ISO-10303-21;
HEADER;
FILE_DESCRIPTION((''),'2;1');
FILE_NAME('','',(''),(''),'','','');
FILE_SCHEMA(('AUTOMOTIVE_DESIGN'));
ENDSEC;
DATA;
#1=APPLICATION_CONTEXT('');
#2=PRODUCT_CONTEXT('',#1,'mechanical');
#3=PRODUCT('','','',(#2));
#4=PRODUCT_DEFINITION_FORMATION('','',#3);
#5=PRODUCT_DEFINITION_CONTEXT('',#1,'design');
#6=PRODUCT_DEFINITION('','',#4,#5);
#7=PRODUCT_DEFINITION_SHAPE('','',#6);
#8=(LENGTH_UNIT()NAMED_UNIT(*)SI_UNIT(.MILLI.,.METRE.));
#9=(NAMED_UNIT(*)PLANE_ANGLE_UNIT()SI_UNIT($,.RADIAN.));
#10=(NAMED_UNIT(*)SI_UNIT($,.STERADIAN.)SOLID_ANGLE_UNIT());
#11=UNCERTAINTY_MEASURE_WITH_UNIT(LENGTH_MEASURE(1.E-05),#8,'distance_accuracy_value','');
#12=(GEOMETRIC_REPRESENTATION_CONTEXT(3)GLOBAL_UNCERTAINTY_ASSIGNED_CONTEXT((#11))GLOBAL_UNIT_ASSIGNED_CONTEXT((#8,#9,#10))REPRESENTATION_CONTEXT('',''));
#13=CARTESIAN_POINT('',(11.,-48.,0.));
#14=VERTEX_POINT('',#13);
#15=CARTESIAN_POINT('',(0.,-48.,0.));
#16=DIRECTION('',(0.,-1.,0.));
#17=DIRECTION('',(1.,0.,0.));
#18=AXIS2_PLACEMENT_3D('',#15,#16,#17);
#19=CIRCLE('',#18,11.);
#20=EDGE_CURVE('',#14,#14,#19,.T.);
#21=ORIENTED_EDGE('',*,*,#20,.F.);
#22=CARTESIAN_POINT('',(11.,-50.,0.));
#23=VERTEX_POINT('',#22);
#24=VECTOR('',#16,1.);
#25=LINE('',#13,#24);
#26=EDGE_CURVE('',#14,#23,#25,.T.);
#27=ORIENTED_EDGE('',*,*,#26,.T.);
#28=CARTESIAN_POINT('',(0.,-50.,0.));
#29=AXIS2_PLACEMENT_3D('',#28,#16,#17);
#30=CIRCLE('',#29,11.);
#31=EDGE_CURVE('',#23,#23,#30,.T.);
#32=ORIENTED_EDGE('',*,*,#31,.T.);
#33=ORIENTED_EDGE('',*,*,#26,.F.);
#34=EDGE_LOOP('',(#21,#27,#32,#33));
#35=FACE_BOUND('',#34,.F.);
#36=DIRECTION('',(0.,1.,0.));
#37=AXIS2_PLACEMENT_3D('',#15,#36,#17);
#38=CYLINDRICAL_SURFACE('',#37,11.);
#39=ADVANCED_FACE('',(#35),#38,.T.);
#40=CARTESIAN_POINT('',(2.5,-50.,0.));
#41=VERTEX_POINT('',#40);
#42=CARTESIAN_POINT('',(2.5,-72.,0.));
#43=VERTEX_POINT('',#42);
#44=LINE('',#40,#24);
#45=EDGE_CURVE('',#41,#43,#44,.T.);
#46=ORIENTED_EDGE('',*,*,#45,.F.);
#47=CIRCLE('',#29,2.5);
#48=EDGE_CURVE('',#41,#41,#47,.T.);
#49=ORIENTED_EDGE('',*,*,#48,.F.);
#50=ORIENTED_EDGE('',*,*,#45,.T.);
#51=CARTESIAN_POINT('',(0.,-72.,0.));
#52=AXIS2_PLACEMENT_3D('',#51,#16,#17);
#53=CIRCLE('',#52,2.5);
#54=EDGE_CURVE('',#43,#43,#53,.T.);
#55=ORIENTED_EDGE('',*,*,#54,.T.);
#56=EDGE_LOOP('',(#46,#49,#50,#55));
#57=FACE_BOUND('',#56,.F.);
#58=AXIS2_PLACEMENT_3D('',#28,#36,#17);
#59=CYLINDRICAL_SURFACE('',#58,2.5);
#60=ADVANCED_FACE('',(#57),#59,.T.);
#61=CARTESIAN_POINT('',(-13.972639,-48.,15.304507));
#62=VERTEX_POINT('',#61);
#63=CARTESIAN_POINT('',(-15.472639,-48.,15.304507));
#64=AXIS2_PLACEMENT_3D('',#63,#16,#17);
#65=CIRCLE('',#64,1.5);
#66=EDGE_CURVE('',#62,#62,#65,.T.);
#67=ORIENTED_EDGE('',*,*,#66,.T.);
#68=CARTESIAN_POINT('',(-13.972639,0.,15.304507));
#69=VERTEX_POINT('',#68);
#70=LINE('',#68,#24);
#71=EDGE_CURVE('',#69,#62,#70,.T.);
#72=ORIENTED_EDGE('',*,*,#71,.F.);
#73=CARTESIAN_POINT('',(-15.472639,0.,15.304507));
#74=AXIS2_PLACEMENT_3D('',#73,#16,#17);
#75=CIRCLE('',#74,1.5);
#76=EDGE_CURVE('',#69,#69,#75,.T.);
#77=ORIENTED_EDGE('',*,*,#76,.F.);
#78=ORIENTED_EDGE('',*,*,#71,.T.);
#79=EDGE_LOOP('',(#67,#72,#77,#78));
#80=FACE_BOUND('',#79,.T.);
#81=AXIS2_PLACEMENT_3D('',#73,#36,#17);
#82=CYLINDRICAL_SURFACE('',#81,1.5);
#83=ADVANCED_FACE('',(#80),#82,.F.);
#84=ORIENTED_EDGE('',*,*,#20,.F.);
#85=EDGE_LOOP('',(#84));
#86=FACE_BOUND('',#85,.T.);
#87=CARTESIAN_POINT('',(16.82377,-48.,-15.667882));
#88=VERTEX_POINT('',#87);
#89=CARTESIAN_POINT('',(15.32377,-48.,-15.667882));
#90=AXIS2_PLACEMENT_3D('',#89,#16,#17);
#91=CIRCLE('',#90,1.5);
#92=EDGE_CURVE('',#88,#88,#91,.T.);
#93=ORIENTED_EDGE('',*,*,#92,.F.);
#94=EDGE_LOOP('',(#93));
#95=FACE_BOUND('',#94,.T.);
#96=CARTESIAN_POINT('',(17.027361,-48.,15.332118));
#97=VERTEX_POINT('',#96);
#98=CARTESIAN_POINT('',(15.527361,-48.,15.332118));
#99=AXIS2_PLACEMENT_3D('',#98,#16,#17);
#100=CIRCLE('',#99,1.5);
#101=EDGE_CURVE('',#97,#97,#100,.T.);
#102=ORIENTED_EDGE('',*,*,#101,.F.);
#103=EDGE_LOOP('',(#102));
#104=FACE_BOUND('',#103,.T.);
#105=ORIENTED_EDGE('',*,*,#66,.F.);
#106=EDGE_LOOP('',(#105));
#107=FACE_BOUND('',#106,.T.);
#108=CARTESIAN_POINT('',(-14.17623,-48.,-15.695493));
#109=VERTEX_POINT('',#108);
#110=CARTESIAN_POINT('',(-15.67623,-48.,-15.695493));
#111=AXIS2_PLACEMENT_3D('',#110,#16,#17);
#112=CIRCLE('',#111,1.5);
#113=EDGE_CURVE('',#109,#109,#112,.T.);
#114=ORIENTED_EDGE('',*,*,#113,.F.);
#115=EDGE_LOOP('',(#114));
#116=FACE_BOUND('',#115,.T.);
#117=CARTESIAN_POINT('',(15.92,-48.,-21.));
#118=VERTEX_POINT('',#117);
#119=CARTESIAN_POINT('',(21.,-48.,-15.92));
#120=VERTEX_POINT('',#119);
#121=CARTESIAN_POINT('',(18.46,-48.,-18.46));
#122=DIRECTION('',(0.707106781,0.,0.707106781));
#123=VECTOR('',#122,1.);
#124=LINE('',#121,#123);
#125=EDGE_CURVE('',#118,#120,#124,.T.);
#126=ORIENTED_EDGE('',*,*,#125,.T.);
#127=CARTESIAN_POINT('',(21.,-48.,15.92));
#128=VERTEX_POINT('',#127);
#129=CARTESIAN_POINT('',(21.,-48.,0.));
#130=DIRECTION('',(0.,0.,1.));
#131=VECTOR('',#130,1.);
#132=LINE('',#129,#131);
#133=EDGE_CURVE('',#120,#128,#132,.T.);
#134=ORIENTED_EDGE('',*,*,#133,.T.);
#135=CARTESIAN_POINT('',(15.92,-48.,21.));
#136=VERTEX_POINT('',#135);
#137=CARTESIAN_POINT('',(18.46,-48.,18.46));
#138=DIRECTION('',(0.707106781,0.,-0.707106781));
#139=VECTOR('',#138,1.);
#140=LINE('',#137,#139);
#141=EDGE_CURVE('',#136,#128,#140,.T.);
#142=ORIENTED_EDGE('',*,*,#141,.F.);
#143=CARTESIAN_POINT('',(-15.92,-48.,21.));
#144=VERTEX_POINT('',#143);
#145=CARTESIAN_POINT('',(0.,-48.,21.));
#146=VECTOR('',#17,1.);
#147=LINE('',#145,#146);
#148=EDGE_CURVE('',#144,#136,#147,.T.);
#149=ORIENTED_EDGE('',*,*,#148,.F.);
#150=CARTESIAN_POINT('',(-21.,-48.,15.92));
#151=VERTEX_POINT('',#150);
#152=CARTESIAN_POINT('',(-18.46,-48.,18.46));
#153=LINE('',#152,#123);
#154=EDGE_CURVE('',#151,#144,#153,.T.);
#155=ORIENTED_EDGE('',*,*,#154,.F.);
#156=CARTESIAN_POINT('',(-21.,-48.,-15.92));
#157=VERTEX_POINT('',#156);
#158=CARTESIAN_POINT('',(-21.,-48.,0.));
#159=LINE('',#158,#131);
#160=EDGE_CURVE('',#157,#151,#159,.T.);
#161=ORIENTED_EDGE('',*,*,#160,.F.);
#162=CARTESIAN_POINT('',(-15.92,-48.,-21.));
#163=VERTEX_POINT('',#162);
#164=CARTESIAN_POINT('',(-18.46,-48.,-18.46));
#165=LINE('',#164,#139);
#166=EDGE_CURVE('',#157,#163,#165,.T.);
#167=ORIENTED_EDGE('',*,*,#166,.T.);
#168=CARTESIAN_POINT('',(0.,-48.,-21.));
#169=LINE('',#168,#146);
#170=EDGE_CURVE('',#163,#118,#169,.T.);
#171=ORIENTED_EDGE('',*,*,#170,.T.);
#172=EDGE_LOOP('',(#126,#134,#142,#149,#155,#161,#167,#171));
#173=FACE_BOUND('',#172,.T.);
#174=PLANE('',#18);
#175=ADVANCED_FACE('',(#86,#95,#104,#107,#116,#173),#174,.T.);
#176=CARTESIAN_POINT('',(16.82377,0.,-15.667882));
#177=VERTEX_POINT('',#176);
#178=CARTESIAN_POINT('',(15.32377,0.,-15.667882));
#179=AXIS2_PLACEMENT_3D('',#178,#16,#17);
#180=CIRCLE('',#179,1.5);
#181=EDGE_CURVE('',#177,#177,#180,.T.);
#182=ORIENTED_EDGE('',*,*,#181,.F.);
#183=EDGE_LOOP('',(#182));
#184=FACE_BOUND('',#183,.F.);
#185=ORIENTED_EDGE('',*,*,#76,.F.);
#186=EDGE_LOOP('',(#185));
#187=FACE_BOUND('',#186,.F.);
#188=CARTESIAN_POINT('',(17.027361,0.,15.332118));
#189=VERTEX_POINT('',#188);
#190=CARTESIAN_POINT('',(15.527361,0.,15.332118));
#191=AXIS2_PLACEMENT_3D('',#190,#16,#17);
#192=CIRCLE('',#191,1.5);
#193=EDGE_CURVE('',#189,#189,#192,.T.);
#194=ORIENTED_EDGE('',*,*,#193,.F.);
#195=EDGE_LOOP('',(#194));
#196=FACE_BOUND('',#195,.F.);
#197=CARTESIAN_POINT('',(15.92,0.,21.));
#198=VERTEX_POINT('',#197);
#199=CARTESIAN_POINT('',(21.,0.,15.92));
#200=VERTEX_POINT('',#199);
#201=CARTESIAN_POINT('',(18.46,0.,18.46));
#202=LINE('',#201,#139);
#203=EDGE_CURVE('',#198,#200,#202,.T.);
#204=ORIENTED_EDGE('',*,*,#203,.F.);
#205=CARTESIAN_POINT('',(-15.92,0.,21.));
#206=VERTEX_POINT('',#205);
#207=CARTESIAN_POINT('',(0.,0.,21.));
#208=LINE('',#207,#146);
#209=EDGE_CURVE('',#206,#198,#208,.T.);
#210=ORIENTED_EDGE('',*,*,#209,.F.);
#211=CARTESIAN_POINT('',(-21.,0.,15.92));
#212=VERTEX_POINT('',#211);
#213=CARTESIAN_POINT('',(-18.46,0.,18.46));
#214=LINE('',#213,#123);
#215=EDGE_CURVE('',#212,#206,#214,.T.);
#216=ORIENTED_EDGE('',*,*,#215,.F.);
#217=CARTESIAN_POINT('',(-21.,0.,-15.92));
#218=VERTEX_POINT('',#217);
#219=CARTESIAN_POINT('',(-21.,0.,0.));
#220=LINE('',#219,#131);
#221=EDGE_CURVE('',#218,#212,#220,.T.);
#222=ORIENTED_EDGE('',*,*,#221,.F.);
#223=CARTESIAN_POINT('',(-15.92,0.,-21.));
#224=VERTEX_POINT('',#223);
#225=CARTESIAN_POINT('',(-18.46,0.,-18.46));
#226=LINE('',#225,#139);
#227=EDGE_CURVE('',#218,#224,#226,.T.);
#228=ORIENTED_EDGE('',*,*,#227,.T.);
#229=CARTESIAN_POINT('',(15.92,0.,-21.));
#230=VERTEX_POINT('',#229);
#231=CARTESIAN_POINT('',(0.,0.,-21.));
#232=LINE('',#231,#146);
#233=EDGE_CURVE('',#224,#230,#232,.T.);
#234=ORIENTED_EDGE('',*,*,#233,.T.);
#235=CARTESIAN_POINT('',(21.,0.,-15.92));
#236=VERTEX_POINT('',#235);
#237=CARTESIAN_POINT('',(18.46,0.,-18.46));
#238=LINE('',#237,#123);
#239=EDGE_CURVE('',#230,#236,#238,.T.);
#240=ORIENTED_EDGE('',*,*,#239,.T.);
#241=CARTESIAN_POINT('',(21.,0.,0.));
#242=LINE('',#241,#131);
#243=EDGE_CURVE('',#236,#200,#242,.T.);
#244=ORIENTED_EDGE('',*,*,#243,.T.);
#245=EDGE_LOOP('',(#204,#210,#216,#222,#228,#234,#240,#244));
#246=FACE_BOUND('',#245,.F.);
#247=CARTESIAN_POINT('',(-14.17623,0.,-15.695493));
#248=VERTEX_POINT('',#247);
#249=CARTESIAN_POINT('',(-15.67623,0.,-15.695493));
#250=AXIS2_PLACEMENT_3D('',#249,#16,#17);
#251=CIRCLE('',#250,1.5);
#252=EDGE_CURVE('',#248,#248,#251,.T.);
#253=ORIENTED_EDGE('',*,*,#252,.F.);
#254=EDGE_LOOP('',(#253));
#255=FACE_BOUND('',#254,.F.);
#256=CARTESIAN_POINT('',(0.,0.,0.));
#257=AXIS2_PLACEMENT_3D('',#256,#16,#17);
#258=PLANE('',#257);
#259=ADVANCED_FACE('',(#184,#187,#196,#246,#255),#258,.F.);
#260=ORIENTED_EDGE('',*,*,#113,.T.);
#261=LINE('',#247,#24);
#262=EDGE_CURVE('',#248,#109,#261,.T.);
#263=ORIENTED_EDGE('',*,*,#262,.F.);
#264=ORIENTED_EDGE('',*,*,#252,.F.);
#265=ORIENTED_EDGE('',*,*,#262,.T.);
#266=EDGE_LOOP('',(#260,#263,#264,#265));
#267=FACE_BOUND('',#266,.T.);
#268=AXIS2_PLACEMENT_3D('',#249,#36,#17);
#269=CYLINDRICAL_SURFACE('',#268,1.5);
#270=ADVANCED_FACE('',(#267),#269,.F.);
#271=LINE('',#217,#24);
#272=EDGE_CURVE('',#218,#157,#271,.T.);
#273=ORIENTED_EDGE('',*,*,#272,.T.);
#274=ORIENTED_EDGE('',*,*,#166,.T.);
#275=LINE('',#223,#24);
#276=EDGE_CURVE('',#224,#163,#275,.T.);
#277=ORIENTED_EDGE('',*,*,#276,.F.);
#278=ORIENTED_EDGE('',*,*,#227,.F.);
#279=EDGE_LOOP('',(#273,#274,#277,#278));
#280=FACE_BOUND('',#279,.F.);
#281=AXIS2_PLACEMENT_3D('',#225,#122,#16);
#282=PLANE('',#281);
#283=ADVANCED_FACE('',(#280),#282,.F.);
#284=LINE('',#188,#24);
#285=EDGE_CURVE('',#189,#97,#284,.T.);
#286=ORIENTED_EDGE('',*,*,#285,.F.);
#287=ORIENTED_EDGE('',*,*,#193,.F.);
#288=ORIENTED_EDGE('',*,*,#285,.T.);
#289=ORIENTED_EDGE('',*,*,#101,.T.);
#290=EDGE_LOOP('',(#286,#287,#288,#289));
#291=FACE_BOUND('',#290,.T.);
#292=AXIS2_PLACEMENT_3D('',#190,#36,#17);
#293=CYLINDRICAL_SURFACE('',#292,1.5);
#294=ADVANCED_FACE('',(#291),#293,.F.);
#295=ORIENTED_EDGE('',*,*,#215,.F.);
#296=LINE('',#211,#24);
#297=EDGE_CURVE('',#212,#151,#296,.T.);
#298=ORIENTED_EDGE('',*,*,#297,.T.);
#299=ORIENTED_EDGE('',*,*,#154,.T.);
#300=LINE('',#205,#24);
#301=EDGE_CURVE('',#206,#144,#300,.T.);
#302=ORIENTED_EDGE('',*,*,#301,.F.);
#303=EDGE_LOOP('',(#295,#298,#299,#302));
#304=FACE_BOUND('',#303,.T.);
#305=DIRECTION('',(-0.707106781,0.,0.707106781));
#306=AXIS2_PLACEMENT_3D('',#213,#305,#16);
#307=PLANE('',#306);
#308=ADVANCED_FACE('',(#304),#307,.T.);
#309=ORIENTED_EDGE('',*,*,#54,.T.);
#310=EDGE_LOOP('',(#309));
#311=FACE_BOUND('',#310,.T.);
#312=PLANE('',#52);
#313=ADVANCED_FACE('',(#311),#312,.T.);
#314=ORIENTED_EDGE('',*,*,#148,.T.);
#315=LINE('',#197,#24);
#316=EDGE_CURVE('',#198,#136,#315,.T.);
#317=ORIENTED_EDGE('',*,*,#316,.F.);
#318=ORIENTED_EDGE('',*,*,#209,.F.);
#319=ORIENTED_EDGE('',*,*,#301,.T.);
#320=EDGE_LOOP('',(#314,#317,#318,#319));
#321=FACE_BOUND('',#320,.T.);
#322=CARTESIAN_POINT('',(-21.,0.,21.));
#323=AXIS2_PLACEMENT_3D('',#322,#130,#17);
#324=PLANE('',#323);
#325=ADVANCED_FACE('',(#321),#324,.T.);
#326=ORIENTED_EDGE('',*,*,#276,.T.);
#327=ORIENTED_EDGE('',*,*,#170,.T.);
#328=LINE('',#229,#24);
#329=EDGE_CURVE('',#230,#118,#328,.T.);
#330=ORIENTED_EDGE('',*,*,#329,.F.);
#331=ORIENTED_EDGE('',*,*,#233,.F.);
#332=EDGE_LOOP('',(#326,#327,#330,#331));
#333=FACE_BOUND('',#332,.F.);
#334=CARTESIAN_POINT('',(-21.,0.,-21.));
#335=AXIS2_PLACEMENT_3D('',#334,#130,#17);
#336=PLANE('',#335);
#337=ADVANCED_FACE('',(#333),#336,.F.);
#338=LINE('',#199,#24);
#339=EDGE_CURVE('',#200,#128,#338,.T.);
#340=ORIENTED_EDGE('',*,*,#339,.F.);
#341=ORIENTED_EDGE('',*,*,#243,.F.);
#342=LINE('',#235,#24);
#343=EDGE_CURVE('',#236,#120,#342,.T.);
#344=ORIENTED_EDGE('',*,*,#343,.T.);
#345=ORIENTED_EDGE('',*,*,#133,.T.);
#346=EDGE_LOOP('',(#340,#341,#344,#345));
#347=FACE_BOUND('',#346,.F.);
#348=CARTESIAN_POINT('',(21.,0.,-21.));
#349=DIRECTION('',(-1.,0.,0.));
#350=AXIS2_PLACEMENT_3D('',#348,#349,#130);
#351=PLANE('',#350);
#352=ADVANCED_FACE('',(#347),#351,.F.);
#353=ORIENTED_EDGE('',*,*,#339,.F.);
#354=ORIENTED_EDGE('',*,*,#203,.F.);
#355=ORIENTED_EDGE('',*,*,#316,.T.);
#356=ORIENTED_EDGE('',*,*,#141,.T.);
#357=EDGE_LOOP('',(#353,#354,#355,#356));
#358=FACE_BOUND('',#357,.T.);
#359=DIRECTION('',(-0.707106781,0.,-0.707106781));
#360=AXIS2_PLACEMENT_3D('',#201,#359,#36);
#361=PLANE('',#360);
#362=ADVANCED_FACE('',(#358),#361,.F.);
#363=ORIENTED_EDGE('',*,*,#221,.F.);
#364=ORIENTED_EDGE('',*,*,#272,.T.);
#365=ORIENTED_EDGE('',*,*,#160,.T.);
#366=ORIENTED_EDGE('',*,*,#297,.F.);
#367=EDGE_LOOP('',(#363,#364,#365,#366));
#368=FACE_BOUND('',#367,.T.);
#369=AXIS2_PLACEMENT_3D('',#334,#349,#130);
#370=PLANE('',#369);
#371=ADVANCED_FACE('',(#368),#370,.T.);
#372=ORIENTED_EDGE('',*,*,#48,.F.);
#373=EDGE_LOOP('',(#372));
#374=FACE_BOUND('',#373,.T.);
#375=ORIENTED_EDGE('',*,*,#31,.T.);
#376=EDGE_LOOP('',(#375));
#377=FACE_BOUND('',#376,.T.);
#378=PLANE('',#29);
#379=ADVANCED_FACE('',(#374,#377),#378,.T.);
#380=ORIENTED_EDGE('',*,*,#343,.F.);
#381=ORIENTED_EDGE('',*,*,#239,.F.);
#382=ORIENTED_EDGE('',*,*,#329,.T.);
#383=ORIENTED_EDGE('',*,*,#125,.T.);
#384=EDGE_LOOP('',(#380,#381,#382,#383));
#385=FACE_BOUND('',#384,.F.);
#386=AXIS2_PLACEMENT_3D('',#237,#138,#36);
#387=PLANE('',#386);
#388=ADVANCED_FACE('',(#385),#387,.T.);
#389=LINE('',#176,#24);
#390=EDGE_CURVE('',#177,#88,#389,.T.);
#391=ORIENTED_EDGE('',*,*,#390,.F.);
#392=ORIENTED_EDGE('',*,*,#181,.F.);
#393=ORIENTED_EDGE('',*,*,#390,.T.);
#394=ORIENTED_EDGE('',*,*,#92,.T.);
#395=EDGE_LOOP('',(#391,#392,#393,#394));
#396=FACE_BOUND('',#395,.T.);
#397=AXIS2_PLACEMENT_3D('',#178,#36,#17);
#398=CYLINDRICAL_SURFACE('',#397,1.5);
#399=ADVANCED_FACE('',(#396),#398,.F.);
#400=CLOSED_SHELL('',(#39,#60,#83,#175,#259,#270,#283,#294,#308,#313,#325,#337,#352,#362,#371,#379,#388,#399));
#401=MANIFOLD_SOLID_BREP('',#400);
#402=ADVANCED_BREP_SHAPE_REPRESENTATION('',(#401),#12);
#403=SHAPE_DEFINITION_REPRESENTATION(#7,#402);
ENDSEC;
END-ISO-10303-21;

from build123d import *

# Parameters (mm, degrees)
F0_W     = 42
F0_H     = 42
F0_R     = 1.5
F1_DEPTH = 48
F2_SIZE  = 5.08
F3_R     = 11
F4_DEPTH = 2
F5_R     = 2.5
F6_DEPTH = 22


with BuildPart() as f1:
    # F0 (on Front) → F1 (new body)
    with BuildSketch(Plane.XZ):
        Rectangle(F0_W, F0_H)
        with Locations((-15.67623, -15.695493)):
            Circle(F0_R, mode=Mode.SUBTRACT)
        with Locations((15.32377, -15.667882)):
            Circle(F0_R, mode=Mode.SUBTRACT)
        with Locations((-15.472639, 15.304507)):
            Circle(F0_R, mode=Mode.SUBTRACT)
        with Locations((15.527361, 15.332118)):
            Circle(F0_R, mode=Mode.SUBTRACT)
    extrude(amount=F1_DEPTH)

    # F2
    f2_edges = [f1.edges().sort_by_distance(p)[0] for p in [
        (-21, -24, 21),
        (21, -24, 21),
        (21, -24, -21),
        (-21, -24, -21),
    ]]
    chamfer(f2_edges, length=F2_SIZE)

    # F3 (on face) → F4 (join)
    with BuildSketch(Plane.XZ.offset(48)):
        Circle(F3_R)
    extrude(amount=F4_DEPTH)

    # F5 (on face) → F6 (join)
    with BuildSketch(Plane.XZ.offset(50)):
        Circle(F5_R)
    extrude(amount=F6_DEPTH)


solid = f1.part
